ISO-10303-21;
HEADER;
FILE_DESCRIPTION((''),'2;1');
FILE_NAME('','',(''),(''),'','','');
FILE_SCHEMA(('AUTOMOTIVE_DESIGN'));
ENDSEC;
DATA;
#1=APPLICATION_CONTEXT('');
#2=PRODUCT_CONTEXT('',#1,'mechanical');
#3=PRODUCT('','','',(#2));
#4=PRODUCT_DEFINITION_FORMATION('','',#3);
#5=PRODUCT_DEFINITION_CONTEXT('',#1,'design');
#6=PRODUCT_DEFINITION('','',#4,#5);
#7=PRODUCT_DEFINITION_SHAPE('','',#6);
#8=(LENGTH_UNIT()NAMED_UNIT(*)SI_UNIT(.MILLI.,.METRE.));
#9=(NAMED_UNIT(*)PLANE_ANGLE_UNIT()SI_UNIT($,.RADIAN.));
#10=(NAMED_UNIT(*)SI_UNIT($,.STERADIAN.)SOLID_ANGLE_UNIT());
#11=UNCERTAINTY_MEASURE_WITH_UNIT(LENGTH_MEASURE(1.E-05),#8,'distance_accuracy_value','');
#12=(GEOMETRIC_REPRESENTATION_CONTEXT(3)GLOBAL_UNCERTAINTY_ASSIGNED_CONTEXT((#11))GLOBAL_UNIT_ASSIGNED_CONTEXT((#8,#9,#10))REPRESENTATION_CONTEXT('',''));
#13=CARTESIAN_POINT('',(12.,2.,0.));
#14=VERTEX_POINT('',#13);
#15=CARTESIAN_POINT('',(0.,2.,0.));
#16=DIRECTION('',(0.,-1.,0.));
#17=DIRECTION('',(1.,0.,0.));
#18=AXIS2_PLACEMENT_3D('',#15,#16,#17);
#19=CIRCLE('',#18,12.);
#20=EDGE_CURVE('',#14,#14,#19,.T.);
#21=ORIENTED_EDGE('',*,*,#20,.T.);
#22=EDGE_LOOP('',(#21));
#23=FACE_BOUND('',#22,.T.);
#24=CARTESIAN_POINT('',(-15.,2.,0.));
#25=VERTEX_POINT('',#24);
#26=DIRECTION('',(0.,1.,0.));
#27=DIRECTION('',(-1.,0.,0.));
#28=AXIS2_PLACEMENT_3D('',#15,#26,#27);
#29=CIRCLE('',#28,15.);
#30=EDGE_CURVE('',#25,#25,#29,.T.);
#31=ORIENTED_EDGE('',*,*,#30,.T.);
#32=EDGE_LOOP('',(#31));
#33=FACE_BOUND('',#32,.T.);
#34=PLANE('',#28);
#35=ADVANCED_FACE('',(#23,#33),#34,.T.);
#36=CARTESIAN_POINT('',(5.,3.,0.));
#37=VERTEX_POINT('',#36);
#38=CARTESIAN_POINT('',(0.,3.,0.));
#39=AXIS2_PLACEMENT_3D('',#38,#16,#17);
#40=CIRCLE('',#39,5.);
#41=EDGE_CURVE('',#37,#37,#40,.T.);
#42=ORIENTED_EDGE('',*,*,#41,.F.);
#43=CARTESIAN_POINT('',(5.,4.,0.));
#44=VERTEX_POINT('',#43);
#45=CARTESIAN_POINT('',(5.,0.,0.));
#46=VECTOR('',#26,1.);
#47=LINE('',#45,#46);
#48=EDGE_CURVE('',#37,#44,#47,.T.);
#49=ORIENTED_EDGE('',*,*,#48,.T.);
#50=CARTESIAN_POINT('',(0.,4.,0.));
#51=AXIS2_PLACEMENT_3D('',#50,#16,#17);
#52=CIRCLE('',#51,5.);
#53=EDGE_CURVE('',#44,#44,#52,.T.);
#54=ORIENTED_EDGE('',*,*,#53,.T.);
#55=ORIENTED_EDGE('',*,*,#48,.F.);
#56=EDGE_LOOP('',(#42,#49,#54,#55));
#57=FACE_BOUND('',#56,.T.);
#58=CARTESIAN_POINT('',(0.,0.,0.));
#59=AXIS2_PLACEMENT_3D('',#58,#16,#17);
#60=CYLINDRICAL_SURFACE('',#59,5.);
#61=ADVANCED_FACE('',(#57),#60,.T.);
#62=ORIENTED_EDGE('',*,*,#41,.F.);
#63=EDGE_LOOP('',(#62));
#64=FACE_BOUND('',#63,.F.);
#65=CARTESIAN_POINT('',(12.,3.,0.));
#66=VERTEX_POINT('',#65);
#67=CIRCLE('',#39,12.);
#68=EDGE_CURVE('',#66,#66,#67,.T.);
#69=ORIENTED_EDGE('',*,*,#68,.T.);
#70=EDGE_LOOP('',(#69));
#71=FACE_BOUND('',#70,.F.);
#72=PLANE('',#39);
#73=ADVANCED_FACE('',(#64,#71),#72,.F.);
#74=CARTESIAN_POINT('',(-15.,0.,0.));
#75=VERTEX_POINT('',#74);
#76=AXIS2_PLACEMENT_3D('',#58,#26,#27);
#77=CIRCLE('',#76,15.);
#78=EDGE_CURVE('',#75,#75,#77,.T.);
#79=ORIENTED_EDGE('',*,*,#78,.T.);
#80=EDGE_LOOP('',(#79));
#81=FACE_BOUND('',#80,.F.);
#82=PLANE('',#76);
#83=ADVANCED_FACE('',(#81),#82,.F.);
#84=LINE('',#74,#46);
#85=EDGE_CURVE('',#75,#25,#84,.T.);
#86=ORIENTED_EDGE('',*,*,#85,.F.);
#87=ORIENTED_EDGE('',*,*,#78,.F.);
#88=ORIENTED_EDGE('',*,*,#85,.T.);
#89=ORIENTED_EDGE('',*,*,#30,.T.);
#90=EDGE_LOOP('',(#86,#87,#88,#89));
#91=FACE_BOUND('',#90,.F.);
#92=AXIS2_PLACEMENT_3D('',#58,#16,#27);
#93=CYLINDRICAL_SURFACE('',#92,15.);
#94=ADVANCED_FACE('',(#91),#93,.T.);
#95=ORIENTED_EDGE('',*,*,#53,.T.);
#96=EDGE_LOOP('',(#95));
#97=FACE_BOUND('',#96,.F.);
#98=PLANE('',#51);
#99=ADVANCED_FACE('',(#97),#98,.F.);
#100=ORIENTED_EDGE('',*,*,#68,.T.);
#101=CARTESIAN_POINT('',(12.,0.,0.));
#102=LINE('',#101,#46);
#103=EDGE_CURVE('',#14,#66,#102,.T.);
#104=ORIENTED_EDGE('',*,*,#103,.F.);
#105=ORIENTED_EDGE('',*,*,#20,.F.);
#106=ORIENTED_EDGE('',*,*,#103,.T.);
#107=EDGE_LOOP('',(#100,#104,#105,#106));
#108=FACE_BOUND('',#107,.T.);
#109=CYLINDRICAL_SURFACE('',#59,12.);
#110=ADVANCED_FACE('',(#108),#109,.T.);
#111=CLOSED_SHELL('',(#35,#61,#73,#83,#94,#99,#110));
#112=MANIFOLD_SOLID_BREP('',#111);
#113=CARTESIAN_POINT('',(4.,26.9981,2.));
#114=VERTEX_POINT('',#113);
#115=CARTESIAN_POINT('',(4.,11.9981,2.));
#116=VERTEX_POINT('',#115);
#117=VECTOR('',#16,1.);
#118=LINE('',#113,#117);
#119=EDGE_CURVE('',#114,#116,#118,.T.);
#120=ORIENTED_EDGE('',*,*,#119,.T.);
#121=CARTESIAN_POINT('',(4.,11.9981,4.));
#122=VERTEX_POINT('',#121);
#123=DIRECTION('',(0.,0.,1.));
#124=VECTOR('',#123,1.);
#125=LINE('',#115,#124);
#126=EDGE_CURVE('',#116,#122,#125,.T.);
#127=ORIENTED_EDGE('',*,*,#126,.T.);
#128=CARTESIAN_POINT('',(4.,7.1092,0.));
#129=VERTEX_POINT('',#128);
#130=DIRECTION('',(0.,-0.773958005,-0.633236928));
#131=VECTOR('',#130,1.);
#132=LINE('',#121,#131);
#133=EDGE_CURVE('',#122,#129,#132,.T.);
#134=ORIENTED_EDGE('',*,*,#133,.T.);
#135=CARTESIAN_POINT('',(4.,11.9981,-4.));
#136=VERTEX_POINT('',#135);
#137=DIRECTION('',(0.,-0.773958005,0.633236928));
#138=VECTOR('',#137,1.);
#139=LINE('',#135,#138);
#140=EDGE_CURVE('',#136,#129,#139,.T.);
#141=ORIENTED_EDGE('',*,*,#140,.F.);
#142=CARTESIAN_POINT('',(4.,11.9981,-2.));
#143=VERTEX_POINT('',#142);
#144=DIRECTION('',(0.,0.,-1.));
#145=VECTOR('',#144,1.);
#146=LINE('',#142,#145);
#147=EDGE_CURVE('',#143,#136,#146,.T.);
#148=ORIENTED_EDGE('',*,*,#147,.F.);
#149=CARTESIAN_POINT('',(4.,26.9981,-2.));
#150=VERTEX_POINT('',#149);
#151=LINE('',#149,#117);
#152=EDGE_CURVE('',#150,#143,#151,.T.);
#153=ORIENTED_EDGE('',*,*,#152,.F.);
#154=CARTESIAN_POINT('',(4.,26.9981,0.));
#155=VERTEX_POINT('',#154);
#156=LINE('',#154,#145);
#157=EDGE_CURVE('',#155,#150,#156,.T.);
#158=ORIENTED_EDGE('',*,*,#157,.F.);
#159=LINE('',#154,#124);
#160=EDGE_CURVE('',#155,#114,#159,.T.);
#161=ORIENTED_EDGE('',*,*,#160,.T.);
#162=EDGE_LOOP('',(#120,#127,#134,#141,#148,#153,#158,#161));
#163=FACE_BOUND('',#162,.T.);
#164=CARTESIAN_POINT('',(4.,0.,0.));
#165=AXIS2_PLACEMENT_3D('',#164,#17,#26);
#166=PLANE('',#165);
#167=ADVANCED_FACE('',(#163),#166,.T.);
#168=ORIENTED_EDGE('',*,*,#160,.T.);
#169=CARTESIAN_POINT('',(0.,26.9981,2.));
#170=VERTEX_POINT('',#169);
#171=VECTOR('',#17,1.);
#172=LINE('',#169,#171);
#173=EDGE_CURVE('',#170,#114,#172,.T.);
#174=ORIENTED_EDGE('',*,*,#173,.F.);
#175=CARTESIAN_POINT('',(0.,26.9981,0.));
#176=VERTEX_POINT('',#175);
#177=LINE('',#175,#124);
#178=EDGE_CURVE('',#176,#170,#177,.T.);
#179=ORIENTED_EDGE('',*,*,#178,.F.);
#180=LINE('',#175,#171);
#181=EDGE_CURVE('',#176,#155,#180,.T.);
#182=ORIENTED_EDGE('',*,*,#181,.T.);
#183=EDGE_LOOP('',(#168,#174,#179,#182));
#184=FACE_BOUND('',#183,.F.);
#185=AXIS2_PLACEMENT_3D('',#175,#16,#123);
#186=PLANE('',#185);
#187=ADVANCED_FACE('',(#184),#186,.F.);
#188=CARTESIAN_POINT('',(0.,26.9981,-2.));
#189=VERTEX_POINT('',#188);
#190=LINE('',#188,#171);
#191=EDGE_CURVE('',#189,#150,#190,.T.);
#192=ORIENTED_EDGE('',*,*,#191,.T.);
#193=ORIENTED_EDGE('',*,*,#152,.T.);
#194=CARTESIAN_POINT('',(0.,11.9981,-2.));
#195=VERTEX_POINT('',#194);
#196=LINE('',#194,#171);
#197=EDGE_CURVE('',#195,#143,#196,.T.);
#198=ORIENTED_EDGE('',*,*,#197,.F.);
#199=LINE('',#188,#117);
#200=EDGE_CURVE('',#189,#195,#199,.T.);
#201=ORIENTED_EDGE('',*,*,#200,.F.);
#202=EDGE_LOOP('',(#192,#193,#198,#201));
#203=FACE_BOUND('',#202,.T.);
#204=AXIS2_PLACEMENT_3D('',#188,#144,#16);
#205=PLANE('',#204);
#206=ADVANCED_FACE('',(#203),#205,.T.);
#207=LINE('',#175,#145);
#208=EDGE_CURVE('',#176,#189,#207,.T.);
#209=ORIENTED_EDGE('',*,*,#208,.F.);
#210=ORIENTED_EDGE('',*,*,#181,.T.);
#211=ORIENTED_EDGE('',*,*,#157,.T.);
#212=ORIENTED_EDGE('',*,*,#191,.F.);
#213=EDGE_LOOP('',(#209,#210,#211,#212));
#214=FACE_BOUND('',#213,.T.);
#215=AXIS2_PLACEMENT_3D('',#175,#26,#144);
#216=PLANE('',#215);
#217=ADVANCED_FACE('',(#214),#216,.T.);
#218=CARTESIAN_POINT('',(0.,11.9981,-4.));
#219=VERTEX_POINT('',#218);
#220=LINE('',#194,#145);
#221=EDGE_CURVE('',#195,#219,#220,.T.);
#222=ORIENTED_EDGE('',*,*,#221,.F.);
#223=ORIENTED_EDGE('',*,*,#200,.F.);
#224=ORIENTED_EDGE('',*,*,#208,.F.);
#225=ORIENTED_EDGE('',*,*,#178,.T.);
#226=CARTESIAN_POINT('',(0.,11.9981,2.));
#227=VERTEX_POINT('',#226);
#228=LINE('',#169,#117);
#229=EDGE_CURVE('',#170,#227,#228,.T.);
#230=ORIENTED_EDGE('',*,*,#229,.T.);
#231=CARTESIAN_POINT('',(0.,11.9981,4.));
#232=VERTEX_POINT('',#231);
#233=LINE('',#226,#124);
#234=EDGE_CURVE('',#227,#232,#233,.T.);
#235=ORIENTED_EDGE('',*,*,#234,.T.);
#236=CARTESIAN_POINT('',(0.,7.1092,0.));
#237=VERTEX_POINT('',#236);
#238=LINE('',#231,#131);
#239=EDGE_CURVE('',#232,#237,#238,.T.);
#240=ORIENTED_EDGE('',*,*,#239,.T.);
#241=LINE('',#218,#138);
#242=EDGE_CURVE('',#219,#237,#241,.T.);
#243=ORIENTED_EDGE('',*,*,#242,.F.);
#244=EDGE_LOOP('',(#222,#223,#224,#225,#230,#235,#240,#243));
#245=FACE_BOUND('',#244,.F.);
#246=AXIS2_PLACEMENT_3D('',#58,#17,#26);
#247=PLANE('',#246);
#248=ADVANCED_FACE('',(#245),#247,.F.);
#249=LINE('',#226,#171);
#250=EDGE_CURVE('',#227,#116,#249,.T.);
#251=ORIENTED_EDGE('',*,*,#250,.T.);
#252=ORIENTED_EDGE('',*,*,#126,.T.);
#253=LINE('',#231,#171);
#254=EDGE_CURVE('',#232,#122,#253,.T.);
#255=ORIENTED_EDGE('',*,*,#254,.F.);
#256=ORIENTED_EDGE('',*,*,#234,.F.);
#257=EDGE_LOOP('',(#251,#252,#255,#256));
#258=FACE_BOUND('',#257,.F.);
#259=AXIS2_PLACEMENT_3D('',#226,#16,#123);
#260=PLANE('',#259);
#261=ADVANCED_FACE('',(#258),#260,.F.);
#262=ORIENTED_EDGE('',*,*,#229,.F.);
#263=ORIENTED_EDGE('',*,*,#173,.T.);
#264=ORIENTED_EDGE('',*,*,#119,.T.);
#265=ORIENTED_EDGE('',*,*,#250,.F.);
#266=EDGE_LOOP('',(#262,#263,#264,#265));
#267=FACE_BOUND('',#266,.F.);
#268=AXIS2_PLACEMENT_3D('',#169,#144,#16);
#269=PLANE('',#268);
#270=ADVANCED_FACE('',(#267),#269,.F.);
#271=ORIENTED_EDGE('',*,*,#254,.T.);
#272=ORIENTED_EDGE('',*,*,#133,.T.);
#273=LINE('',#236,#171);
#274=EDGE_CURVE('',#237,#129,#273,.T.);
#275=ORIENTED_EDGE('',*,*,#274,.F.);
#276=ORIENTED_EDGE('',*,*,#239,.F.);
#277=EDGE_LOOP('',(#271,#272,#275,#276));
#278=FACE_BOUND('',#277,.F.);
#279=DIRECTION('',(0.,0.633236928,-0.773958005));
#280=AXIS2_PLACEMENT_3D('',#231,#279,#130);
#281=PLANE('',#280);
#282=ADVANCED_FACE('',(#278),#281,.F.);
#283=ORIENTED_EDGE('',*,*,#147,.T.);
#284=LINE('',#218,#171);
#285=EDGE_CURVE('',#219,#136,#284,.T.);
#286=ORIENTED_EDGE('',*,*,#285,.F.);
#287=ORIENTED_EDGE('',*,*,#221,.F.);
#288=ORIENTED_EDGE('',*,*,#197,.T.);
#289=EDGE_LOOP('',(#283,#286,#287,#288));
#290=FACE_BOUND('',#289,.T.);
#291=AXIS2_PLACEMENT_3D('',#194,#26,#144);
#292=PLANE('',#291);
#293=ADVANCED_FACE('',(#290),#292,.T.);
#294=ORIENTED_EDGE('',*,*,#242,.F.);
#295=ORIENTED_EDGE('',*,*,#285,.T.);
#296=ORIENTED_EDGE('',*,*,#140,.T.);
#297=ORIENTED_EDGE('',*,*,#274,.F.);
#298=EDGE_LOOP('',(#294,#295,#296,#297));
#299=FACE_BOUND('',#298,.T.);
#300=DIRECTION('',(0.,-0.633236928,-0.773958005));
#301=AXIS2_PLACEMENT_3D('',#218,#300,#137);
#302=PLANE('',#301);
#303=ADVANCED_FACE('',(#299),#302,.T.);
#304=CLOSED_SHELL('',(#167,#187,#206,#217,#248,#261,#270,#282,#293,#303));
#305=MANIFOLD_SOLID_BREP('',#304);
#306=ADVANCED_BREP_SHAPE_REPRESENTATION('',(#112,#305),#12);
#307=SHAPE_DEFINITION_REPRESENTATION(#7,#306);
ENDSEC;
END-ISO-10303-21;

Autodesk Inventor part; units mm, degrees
ref_plane "XZ Plane" through (0, 0, 0) normal (0, 1, 0) x (-1, 0, 0)
ref_plane "XY Plane" through (0, 0, 0) normal (0, 0, 1) x (1, 0, 0)
sketch "Sketch1" plane through (0, 0, 0) normal (0, 1, 0) x (-1, 0, 0)
  circle A0 centre (0, 0) radius 15
  circle A1 centre (0, 0) radius 12
  dimension "d0" = 30
  dimension "d2" = 24
extrude "Extrusion1" add sketch "Sketch1" along normal blind 2
sketch "Sketch2" plane through (0, 0, 0) normal (0, -1, 0) x (1, 0, 0)
  circle A0 centre (0, 0) radius 12 projected
  circle A1 centre (0, 0) radius 15 projected
  circle A2 centre (0, 0) radius 5
  dimension "d5" = 10
extrude "Extrusion2" add sketch "Sketch2" against normal blind 3 contours A0
sketch "Sketch3" plane through (0, 0, 0) normal (0, -1, 0) x (1, 0, 0)
  circle A0 centre (0, 0) radius 5 projected
extrude "Extrusion3" add sketch "Sketch3" against normal blind 4
ref_plane "Work Plane1" through (0, 0, 0) normal (1, 0, 0) x (0, 1, 0)
sketch "Sketch4" plane through (0, 0, 0) normal (1, 0, 0) x (0, 1, 0)
  line L0 (26.9981, 0) -> (26.9981, -2)
  line L1 (26.9981, -2) -> (11.9981, -2)
  line L2 (11.9981, -2) -> (11.9981, -4)
  line L3 (11.9981, -4) -> (7.1092, 0)
  line L4 (28.7393, 0) -> (4.7365, 0) construction
  line L5 (26.9981, 0) -> (26.9981, 2)
  line L6 (26.9981, 2) -> (11.9981, 2)
  line L7 (11.9981, 2) -> (11.9981, 4)
  line L8 (11.9981, 4) -> (7.1092, 0)
  point P0 (0, 0)
  dimension "d12" = 15
  dimension "d13" = 2
extrude "Extrusion4" add sketch "Sketch4" along normal blind 4
properties part number "target"
